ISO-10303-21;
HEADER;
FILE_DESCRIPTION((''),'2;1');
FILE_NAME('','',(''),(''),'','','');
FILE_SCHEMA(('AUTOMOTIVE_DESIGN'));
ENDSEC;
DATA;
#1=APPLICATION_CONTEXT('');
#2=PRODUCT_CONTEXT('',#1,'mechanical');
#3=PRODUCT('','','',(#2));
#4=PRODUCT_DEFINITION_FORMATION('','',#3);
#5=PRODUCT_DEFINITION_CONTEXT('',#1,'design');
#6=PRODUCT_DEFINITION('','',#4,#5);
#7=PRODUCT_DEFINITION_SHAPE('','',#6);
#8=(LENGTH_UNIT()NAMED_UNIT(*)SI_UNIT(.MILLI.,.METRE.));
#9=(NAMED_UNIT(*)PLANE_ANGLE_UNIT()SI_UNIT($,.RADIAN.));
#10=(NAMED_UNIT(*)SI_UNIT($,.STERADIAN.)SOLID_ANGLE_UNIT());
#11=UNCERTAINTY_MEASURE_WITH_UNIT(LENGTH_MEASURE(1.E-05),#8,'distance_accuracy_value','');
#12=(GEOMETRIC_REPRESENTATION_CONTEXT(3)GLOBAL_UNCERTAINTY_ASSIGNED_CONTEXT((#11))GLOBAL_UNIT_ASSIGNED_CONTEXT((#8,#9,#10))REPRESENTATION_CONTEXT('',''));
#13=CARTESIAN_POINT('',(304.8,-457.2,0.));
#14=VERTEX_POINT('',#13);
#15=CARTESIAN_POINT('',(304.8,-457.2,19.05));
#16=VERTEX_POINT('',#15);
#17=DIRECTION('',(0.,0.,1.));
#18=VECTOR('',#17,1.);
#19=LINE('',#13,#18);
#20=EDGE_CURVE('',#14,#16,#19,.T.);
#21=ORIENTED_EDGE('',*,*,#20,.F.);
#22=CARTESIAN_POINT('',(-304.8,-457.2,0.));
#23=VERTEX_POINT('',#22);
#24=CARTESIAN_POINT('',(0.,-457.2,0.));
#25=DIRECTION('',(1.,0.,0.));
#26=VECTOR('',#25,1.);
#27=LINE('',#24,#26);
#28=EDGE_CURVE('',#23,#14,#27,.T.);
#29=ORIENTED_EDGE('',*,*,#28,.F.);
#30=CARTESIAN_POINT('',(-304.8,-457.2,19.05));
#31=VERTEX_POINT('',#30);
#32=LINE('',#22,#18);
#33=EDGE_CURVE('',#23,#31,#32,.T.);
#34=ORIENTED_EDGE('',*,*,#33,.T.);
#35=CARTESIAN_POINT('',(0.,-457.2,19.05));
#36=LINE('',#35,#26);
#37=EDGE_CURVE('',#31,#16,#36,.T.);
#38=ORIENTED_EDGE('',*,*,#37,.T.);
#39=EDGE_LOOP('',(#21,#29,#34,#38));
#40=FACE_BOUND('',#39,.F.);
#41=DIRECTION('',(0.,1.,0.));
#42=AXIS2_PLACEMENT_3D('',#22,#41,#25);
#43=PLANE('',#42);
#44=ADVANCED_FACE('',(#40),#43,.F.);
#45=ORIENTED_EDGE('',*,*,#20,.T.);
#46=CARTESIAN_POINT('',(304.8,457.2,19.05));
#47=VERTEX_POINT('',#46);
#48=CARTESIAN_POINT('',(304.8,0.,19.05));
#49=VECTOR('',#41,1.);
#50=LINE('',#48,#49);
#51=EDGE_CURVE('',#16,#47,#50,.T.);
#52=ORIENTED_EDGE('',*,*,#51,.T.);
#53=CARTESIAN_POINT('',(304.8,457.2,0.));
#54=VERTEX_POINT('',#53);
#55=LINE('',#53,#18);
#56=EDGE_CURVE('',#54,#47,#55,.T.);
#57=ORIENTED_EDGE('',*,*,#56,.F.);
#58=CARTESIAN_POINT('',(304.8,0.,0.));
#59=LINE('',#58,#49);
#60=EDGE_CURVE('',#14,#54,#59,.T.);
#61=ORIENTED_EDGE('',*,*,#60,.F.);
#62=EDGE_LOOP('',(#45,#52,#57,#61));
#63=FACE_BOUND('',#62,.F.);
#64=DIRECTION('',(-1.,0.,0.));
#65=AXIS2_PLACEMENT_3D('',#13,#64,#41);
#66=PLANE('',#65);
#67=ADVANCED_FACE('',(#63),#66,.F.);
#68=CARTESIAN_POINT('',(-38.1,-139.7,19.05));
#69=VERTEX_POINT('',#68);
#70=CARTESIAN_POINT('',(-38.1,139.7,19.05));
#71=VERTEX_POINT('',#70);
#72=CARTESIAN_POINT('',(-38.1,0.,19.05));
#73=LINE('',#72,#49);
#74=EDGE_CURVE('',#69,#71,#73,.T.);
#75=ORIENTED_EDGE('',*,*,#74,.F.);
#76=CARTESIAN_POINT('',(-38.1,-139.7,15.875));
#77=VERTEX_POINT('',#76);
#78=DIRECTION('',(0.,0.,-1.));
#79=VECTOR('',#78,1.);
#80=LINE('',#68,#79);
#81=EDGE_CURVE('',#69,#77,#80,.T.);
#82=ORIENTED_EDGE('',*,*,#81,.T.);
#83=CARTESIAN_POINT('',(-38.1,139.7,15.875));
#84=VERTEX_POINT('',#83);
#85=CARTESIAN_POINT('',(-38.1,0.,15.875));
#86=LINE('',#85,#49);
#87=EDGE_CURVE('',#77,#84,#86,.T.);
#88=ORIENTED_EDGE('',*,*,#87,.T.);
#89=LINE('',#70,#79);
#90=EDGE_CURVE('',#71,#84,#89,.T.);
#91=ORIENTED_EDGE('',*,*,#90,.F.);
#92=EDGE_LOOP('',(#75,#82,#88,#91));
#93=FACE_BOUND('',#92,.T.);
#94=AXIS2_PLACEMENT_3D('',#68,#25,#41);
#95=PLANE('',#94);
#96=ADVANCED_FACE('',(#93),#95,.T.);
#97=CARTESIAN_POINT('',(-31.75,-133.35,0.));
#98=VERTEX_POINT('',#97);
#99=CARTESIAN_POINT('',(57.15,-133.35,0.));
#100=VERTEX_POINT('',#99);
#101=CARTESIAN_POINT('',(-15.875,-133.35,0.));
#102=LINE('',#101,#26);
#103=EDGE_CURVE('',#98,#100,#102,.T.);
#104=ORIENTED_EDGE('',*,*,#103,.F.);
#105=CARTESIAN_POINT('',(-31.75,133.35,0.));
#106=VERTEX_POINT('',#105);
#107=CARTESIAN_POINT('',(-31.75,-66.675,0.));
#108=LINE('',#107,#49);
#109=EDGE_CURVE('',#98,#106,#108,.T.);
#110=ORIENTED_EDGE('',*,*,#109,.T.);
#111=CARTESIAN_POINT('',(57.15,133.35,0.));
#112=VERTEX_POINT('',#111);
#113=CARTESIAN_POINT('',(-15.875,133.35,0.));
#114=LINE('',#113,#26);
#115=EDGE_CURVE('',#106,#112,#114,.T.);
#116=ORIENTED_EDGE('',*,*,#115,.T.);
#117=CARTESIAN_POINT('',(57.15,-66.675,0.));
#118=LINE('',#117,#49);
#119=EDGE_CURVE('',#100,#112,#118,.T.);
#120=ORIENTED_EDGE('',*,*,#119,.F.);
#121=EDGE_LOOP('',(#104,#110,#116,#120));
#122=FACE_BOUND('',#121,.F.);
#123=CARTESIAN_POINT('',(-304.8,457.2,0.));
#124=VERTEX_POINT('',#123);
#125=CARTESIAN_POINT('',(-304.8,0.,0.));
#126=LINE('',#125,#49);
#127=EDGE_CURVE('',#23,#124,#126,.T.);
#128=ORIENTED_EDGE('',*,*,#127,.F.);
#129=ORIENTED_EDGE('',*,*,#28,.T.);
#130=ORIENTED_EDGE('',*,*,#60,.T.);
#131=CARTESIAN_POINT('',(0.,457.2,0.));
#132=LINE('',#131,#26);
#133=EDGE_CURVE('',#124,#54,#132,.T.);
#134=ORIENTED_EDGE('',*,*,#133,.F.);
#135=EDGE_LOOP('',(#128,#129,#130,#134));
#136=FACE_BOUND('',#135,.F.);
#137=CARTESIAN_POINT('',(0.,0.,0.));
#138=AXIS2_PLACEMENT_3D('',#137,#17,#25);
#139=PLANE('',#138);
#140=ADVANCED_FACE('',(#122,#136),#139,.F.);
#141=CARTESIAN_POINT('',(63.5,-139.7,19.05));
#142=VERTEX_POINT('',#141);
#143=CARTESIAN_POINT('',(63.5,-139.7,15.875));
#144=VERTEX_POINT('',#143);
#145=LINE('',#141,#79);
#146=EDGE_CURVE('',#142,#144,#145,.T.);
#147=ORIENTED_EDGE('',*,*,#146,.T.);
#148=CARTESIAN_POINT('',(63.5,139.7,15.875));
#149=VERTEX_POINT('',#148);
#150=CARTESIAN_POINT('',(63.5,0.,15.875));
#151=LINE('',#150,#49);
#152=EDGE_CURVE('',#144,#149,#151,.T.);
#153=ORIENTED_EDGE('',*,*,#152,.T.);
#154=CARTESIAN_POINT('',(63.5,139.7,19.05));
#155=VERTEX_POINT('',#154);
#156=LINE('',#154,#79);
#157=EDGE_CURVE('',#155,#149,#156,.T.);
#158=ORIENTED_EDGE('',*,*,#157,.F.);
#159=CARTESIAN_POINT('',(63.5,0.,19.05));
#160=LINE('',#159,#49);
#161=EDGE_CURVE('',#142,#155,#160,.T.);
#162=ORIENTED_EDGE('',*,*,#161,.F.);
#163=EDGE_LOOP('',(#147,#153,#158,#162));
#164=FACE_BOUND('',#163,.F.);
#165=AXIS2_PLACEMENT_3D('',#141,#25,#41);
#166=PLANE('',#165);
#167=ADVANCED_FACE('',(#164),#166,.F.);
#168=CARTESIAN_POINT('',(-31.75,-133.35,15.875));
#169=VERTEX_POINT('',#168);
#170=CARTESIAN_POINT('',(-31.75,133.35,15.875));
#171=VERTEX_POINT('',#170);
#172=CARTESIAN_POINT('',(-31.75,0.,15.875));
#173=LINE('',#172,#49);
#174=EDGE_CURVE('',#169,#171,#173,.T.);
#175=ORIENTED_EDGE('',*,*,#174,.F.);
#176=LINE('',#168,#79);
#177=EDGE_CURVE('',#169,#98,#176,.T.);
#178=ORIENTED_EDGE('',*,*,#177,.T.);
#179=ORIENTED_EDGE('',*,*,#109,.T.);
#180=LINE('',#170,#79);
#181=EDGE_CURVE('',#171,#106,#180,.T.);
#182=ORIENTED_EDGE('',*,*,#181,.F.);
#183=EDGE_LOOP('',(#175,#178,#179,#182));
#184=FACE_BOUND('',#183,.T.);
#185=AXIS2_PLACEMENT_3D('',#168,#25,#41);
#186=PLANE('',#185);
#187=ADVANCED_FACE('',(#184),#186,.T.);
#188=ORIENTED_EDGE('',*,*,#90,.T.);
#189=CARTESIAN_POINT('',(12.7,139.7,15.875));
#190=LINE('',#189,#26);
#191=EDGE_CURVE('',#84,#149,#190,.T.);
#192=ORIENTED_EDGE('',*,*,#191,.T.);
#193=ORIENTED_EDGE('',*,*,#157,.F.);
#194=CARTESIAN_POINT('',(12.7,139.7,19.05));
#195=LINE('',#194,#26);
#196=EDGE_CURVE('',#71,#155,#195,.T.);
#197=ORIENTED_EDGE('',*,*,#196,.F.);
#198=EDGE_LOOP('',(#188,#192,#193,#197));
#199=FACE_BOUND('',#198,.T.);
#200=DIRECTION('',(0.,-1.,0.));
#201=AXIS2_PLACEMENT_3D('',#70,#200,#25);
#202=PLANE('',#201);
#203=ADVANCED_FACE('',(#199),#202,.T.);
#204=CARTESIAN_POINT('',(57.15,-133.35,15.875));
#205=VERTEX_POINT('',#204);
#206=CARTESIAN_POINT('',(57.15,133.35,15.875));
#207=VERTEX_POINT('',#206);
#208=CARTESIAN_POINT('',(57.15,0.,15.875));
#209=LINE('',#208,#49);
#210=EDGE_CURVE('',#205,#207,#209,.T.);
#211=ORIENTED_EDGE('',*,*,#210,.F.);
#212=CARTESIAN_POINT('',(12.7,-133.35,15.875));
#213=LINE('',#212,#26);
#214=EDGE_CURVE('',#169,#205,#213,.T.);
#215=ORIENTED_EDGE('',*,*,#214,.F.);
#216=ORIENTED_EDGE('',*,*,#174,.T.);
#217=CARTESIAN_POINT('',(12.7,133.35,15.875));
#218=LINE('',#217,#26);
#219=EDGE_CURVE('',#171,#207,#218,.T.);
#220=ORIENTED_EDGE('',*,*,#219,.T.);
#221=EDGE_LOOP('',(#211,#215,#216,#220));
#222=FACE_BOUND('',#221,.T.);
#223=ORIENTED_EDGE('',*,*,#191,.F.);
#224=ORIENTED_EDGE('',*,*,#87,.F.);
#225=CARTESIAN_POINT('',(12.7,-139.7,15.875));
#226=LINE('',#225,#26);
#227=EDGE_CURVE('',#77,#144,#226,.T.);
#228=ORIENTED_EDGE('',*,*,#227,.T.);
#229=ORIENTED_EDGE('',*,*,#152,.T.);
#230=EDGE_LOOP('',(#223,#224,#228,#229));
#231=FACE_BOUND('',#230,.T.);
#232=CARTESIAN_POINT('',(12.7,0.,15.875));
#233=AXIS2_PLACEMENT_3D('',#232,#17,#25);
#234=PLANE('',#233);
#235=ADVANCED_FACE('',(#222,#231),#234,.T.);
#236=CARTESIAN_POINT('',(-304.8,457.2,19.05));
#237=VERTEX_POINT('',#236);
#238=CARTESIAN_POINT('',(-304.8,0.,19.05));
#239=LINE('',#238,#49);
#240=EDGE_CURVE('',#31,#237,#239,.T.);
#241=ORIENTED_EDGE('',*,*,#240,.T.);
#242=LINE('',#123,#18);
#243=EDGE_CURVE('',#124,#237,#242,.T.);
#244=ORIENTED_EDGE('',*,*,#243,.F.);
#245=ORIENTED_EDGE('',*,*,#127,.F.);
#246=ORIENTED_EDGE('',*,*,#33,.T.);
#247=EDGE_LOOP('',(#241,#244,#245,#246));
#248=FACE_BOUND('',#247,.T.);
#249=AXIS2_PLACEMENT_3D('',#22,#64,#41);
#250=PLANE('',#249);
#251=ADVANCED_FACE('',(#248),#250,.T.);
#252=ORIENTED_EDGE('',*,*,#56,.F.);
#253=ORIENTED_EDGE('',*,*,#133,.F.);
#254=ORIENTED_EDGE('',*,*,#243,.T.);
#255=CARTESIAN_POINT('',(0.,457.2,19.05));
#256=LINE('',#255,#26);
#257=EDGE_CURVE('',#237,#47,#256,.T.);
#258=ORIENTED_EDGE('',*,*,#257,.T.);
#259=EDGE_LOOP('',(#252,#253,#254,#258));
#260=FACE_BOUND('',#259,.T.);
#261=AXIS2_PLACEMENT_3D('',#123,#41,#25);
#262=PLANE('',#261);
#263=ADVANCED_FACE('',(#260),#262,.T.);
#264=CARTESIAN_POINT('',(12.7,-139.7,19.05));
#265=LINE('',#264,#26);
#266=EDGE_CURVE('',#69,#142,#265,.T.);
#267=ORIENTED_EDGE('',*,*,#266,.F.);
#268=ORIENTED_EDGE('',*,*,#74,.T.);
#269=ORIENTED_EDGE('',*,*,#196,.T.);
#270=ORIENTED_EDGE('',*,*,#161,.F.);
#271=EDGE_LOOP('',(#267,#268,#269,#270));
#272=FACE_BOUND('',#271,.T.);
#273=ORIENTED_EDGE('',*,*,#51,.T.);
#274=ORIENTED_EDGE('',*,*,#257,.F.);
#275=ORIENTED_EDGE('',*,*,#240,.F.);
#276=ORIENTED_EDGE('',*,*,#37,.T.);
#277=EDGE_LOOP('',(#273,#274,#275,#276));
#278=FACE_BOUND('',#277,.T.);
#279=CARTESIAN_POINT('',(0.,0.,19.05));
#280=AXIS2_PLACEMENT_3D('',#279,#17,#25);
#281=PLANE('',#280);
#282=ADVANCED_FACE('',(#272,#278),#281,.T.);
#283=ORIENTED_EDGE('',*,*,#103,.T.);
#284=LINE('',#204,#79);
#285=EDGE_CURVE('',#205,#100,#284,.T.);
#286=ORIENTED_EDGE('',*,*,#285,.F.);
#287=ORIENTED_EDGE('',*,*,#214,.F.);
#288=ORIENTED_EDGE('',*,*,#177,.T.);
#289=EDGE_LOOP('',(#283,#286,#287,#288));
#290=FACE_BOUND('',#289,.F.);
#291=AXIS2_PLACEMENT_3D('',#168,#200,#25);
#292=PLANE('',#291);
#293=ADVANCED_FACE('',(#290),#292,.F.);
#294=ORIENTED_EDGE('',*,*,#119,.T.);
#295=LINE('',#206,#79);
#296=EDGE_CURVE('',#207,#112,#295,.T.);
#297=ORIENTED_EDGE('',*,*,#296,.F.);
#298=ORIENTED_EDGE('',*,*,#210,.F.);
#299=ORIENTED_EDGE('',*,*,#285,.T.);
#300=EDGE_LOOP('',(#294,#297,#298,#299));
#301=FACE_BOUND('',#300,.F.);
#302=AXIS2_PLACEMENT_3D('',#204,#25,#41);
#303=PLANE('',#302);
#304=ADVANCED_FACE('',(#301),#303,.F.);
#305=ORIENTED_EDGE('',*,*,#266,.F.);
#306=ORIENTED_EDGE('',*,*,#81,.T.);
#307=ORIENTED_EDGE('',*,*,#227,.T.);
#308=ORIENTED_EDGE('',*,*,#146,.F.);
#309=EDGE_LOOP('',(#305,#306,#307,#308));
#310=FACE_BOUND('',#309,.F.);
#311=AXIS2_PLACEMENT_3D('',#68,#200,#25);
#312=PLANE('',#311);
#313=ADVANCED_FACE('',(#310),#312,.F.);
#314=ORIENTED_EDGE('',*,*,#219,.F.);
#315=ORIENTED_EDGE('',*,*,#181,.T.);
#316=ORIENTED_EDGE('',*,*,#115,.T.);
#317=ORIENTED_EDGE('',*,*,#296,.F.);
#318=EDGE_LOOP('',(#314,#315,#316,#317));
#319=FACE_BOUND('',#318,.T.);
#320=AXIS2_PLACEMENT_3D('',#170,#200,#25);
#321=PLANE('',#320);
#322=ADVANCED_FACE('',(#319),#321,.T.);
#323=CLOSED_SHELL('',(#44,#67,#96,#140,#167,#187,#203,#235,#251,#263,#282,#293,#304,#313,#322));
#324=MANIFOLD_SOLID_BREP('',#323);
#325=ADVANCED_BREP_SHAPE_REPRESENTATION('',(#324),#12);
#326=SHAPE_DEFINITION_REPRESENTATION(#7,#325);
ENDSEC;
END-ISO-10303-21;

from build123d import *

# Parameters (mm, degrees)
F0_W     = 609.6
F0_H     = 914.4
F1_DEPTH = 19.05
F2_W     = 101.6
F2_H     = 279.4
F3_DEPTH = 3.175
F4_W     = 88.9
F4_H     = 266.7
F5_DEPTH = 25.4


with BuildPart() as f1:
    # F0 (on Top) → F1 (new body)
    with BuildSketch(Plane.XY):
        Rectangle(F0_W, F0_H)
    extrude(amount=F1_DEPTH)

    # F2 (on face) → F3 (cut)
    with BuildSketch(Plane.XY.offset(19.05)):
        with Locations((12.7, 0)):
            Rectangle(F2_W, F2_H)
    extrude(amount=-F3_DEPTH, mode=Mode.SUBTRACT)

    # F4 (on face) → F5 (cut)
    with BuildSketch(Plane.XY.offset(15.875)):
        with Locations((12.7, 0)):
            Rectangle(F4_W, F4_H)
    extrude(amount=-F5_DEPTH, mode=Mode.SUBTRACT)


solid = f1.part
